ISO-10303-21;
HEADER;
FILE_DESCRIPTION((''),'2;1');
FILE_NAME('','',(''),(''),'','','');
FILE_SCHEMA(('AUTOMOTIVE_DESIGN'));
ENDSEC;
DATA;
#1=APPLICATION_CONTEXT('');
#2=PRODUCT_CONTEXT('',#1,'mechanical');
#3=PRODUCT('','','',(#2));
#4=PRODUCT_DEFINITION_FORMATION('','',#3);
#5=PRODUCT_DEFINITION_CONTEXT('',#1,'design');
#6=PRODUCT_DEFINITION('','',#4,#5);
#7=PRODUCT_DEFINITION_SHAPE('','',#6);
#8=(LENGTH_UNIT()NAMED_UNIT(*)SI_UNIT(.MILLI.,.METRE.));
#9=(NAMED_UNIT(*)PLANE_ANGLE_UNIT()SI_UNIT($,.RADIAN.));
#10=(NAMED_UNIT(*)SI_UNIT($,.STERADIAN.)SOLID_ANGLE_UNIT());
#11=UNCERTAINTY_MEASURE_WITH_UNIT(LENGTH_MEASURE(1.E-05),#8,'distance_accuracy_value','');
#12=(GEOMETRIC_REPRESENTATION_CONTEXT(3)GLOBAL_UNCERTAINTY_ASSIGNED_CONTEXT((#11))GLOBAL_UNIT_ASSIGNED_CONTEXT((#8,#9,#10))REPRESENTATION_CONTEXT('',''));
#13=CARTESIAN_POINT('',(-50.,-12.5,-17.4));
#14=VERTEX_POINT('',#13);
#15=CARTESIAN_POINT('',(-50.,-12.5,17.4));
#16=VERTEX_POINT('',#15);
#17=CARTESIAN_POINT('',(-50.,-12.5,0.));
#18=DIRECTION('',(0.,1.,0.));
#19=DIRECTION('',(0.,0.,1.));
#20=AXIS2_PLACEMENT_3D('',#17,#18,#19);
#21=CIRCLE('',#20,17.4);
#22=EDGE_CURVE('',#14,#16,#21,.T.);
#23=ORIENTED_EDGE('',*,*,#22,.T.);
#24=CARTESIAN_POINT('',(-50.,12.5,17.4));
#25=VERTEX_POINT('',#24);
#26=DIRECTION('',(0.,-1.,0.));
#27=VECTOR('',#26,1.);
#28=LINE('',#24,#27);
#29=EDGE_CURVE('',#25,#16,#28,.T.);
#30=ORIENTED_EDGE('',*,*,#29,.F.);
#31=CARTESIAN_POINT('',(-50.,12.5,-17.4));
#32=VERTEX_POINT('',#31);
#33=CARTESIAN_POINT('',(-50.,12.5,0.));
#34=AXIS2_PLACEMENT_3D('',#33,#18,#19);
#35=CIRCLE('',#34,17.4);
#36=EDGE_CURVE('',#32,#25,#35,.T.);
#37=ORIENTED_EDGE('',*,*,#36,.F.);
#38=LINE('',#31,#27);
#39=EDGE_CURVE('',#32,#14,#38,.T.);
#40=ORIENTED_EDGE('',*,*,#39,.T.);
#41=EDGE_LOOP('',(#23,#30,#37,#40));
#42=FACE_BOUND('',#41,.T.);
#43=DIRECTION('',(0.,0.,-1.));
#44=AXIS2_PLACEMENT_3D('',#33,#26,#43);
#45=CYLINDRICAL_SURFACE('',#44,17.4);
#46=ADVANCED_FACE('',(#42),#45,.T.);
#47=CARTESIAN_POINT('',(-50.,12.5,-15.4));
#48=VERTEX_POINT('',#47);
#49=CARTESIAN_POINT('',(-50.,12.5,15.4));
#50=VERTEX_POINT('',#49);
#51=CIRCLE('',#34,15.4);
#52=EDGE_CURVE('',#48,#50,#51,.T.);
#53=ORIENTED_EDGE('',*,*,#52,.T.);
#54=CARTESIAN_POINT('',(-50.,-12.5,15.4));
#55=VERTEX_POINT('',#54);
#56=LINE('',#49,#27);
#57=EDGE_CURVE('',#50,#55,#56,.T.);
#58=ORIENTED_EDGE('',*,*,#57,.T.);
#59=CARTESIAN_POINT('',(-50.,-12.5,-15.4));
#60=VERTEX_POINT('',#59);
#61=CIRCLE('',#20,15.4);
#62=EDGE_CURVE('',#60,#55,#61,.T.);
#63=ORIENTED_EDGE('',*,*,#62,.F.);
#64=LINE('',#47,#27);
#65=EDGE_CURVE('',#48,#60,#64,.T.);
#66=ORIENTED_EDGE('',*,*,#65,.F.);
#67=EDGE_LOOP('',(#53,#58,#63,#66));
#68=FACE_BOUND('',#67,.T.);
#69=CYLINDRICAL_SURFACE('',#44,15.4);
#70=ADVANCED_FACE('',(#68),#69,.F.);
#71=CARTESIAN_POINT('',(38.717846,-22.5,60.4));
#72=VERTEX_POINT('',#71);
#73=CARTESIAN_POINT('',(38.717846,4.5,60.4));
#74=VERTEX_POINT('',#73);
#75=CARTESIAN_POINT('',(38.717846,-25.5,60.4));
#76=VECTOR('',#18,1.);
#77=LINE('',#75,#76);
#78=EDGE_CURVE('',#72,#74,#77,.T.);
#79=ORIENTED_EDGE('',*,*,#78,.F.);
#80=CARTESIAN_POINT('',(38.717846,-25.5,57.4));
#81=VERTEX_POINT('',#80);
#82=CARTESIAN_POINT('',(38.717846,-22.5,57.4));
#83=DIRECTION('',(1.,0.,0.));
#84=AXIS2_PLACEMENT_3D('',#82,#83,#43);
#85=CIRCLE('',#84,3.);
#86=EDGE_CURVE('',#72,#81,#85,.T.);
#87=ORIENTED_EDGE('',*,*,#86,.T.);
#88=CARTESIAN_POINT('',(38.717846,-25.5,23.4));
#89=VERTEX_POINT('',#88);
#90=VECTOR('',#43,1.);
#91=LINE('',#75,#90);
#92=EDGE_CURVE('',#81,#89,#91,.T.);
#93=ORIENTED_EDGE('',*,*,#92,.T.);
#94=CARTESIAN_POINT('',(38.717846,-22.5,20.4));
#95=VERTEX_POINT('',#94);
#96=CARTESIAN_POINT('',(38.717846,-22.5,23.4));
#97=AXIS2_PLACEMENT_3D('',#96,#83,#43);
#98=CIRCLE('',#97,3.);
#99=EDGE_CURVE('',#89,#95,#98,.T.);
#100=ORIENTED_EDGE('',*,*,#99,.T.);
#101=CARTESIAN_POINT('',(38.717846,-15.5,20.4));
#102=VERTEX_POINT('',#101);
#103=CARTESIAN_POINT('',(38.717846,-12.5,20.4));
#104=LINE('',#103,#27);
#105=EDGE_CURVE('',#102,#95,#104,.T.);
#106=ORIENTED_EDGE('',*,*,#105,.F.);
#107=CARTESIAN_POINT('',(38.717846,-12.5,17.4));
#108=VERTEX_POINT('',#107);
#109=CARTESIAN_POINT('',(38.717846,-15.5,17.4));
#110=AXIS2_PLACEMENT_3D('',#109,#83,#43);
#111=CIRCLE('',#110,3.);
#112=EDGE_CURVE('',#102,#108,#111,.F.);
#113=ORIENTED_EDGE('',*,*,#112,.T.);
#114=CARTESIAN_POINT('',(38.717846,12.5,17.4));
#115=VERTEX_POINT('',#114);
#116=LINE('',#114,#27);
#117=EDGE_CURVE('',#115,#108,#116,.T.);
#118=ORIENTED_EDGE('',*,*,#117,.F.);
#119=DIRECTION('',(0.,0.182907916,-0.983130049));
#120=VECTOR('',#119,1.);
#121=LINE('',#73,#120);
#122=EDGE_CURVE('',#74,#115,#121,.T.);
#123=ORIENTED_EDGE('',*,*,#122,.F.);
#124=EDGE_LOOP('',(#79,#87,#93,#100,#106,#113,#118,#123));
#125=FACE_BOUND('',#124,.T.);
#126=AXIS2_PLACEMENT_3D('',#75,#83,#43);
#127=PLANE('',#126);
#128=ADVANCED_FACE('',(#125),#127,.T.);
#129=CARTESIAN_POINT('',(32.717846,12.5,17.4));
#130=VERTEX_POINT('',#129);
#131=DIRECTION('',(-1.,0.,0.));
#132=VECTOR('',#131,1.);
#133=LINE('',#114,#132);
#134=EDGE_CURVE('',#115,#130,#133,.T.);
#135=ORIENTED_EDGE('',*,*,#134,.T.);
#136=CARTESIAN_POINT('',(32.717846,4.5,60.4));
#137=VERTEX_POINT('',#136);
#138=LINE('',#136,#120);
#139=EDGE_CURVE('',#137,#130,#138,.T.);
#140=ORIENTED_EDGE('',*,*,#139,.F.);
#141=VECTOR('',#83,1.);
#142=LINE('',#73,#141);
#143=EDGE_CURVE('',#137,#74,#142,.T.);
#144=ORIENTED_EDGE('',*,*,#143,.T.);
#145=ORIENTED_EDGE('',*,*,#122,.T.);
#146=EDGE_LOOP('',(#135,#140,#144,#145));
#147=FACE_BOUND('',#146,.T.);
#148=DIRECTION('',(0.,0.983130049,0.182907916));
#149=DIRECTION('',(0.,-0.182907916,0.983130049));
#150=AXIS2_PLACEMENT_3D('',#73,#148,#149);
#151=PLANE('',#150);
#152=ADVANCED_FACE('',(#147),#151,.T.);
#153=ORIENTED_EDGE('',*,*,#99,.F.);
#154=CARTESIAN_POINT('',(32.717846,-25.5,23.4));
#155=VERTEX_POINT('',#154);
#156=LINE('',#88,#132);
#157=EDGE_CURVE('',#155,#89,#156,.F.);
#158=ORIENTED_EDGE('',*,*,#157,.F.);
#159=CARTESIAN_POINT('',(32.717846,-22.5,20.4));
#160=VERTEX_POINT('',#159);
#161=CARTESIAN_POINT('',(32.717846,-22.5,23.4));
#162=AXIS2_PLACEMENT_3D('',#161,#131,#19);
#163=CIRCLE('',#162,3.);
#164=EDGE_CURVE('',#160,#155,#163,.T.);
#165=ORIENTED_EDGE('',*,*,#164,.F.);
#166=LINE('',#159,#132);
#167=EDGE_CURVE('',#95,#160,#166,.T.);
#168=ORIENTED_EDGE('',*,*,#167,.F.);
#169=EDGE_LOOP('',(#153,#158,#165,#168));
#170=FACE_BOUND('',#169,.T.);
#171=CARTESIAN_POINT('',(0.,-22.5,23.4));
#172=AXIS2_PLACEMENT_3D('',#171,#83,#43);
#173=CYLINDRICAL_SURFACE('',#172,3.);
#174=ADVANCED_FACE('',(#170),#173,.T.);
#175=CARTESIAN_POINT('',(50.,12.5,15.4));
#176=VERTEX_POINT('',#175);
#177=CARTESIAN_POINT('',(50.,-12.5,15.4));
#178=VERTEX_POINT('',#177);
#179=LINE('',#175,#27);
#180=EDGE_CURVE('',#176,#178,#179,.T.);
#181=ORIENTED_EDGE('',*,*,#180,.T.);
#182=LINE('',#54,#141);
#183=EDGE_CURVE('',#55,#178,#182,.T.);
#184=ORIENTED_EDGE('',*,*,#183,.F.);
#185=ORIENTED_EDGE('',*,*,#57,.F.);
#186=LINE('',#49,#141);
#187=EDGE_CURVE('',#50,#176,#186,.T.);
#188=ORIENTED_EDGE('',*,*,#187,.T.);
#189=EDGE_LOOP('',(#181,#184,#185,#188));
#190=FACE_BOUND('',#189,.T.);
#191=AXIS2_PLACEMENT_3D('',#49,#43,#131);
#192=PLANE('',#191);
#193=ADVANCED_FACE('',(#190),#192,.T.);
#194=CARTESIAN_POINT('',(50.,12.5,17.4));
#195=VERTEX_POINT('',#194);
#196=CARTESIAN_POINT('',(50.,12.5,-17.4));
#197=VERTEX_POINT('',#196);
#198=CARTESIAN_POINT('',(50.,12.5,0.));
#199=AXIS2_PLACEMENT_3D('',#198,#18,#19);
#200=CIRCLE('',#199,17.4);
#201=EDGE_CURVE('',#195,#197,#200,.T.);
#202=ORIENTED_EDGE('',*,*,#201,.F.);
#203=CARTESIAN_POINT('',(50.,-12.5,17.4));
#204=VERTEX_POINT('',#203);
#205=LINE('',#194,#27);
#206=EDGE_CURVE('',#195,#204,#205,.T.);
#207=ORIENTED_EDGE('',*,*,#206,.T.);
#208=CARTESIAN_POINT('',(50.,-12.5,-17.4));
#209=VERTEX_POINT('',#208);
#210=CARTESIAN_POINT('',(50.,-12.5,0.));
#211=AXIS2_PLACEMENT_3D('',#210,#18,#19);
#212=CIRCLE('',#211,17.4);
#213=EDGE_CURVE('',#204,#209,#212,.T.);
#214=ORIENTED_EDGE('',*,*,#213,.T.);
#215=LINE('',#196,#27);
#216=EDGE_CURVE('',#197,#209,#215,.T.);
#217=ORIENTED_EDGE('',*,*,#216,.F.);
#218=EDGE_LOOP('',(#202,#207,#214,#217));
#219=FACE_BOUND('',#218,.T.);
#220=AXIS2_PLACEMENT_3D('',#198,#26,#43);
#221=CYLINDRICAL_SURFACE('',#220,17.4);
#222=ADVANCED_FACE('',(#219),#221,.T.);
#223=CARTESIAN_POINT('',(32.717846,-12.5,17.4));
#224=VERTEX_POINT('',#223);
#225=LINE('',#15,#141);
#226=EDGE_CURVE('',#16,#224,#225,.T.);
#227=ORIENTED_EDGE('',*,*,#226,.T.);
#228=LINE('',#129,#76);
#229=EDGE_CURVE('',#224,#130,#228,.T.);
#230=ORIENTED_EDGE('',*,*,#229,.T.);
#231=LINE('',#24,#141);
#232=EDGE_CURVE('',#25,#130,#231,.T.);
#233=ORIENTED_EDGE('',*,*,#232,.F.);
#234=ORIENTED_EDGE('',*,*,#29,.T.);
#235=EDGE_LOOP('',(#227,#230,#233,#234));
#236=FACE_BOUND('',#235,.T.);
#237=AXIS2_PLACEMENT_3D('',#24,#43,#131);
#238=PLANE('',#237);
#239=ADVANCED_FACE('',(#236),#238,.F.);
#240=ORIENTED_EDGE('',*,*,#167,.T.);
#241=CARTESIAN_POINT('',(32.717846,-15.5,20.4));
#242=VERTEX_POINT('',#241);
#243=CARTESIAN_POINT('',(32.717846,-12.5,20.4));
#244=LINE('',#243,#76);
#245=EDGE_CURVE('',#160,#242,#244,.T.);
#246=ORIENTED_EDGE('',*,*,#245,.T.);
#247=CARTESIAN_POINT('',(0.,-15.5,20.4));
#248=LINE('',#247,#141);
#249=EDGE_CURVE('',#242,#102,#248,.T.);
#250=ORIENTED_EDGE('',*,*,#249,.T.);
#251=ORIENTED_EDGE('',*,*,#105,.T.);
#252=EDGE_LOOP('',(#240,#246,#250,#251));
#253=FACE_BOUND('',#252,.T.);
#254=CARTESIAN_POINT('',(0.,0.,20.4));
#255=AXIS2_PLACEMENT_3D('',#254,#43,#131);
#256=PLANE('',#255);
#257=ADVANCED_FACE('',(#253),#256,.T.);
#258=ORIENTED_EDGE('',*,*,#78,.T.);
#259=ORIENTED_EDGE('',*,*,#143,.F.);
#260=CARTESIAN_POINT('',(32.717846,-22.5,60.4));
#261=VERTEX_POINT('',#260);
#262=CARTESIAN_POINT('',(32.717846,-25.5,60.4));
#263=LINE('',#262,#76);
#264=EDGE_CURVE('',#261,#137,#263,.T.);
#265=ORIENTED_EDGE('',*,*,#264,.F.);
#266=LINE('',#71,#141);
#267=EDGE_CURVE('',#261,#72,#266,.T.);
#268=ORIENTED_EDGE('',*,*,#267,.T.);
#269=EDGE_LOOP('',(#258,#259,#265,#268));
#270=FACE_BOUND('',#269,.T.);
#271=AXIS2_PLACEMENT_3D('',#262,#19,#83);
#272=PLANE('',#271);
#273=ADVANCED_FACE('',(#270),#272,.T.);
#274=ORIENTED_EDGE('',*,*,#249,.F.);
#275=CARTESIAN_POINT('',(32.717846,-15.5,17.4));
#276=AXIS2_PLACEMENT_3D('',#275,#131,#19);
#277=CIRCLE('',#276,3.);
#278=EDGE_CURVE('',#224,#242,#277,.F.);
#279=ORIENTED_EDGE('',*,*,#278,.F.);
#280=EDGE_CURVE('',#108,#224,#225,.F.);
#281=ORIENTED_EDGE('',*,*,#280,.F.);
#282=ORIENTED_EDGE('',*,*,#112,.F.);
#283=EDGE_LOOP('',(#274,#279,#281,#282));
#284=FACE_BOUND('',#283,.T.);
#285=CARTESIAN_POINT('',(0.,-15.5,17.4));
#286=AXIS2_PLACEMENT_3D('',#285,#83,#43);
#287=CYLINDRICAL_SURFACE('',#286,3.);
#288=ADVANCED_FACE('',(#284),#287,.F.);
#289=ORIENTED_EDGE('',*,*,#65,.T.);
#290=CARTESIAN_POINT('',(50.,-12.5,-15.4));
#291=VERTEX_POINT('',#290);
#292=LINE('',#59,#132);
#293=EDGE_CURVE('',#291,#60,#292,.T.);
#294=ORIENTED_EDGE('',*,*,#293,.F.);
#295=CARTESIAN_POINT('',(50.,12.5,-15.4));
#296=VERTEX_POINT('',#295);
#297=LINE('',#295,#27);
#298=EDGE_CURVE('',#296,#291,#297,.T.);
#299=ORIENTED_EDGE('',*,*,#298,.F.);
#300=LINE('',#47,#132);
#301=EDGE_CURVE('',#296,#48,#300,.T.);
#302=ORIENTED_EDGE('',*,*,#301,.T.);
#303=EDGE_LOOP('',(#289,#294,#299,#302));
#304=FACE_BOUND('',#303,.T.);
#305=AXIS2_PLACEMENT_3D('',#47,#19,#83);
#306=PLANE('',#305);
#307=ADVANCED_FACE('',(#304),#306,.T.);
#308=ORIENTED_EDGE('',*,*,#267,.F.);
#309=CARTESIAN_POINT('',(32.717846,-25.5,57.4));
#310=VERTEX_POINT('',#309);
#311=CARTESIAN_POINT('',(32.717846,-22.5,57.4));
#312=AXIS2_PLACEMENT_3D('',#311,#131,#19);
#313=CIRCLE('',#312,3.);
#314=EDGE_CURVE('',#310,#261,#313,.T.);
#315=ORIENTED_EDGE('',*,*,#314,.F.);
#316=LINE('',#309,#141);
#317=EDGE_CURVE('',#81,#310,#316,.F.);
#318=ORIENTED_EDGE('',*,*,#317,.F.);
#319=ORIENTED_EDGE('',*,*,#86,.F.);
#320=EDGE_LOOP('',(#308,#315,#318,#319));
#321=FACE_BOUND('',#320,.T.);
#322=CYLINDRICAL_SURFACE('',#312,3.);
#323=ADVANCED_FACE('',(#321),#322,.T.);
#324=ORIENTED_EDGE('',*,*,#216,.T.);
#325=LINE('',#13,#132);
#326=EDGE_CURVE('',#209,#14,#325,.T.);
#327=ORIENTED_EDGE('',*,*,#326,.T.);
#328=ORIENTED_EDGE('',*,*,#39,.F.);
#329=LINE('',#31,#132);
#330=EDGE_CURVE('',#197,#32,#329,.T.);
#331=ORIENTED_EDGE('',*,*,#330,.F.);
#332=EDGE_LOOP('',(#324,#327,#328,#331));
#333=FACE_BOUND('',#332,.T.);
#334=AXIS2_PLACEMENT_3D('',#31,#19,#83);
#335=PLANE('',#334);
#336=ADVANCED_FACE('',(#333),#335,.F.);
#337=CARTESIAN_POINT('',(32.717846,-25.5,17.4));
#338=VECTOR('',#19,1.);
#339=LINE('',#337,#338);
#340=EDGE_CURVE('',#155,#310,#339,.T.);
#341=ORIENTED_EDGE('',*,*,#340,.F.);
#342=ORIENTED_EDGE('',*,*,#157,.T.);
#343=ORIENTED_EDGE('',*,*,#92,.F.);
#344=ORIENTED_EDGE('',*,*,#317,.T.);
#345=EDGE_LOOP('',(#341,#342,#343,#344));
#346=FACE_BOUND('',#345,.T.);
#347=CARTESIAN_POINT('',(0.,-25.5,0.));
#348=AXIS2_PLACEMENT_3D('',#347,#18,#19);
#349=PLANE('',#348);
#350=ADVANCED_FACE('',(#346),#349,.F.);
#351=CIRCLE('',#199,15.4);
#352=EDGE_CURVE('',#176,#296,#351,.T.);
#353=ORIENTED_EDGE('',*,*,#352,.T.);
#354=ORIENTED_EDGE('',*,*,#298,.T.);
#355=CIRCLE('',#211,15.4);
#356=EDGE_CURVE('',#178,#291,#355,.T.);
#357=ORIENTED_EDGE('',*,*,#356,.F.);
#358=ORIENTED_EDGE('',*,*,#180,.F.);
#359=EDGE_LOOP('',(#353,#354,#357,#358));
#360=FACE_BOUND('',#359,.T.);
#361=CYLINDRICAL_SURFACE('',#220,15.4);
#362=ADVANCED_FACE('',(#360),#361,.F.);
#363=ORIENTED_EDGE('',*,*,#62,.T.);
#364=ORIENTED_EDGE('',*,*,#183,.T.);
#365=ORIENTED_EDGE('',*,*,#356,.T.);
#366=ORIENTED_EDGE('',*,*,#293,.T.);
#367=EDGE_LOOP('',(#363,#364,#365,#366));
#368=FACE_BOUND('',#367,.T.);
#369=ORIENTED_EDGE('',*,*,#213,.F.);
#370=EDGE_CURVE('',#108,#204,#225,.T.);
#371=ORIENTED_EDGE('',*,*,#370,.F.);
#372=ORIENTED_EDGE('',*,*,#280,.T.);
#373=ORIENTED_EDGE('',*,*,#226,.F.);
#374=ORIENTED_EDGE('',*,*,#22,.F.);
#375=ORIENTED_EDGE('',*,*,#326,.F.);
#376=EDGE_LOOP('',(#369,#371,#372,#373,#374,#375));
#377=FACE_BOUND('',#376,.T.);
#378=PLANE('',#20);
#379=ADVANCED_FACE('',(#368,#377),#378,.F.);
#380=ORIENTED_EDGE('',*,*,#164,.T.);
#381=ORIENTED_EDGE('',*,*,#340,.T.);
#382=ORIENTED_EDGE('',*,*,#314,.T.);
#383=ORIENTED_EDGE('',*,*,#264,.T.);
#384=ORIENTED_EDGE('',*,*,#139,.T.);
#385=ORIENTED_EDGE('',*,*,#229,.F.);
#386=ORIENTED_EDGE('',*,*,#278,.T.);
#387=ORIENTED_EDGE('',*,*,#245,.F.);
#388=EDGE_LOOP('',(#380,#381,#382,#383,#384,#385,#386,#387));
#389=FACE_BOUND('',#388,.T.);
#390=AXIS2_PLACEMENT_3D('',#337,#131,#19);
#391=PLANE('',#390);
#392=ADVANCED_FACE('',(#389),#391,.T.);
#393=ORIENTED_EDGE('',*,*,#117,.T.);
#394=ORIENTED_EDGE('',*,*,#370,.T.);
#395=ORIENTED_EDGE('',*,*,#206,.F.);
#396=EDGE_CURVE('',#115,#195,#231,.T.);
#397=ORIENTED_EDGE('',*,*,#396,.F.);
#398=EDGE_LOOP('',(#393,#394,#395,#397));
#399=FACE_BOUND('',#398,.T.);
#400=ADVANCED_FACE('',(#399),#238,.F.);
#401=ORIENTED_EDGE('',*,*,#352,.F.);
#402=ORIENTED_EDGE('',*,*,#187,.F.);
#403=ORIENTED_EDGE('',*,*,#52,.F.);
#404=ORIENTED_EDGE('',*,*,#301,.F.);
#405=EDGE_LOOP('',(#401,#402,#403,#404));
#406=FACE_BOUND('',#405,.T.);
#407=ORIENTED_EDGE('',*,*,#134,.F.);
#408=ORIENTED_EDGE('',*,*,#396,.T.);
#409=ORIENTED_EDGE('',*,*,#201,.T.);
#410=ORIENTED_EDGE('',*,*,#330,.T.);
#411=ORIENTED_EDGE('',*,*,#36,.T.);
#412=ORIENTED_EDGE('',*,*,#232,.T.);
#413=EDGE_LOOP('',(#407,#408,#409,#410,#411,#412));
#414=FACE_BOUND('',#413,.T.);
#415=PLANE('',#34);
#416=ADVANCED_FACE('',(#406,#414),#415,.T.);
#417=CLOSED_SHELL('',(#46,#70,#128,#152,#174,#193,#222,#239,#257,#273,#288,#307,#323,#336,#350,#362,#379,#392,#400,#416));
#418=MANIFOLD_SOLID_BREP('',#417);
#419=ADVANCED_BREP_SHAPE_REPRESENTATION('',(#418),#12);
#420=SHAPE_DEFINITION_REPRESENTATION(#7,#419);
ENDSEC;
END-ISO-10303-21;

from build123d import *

# Parameters (mm, degrees)
EXTRUDE_1_DEPTH     = 12.5
SKETCH_4_W          = 6
SKETCH_4_H          = 43
EXTRUDE_3_DEPTH     = 38
SKETCH_5_W          = 6
SKETCH_5_H          = 13
CUT_EXTRUDE_2_DEPTH = 3
SKETCH_6_W          = 6
SKETCH_6_H          = 43
CUT_EXTRUDE_3_DEPTH = 8
EXTRUDE_5_DEPTH     = 6
FILLET_1_R          = 3
FILLET_2_R          = 3


with BuildPart() as part:
    # 草图1 → 凸台-拉伸1 (new, symmetric)
    with BuildSketch(Plane(origin=(0, 0, 0), x_dir=(1, 0, 0), z_dir=(0, 1, 0))):
        with BuildLine():
            Line((-50, 17.4), (50, 17.4))
            ThreePointArc((50, 17.4), (67.4, 0), (50, -17.4))
            Line((50, -17.4), (-50, -17.4))
            ThreePointArc((-50, -17.4), (-67.4, 0), (-50, 17.4))
        make_face()
        with BuildLine():
            Line((-50, 15.4), (50, 15.4))
            ThreePointArc((50, 15.4), (65.4, 0), (50, -15.4))
            Line((50, -15.4), (-50, -15.4))
            ThreePointArc((-50, -15.4), (-65.4, 0), (-50, 15.4))
        make_face(mode=Mode.SUBTRACT)
    extrude(amount=EXTRUDE_1_DEPTH, both=True)

    # 草图4 → 凸台-拉伸3 (add)
    with BuildSketch(Plane(origin=(0, 12.5, 0), x_dir=(1, 0, 0), z_dir=(0, 1, 0))):
        with Locations((35.717845516, -38.9)):
            Rectangle(SKETCH_4_W, SKETCH_4_H)
    extrude(amount=-EXTRUDE_3_DEPTH)

    # 草图5 → 切除-拉伸2 (cut)
    with BuildSketch(Plane(origin=(0, 0, 17.4), x_dir=(-1, 0, 0), z_dir=(0, 0, -1))):
        with Locations((-35.717845516, -19)):
            Rectangle(SKETCH_5_W, SKETCH_5_H)
    extrude(amount=-CUT_EXTRUDE_2_DEPTH, mode=Mode.SUBTRACT)

    # 草图6 → 切除-拉伸3 (cut)
    with BuildSketch(Plane(origin=(0, 12.5, 0), x_dir=(1, 0, 0), z_dir=(0, 1, 0))):
        with Locations((35.717845516, -38.9)):
            Rectangle(SKETCH_6_W, SKETCH_6_H)
    extrude(amount=-CUT_EXTRUDE_3_DEPTH, mode=Mode.SUBTRACT)

    # 草图8 → 凸台-拉伸5 (add)
    with BuildSketch(Plane.ZY.offset(-32.717845516)):
        Polygon((17.4, 12.5), (17.4, 4.5), (60.4, 4.5), align=None)
    extrude(amount=-EXTRUDE_5_DEPTH)

    # 圆角1
    fillet_1_edges = [part.edges().sort_by_distance(p)[0] for p in [
        (35.717845516, -25.5, 60.4),
        (35.717845516, -25.5, 20.4),
    ]]
    fillet(fillet_1_edges, radius=FILLET_1_R)

    # 圆角2
    fillet_2_edges = [part.edges().sort_by_distance(p)[0] for p in [
        (35.717845516, -12.5, 20.4),
    ]]
    fillet(fillet_2_edges, radius=FILLET_2_R)


solid = part.part
